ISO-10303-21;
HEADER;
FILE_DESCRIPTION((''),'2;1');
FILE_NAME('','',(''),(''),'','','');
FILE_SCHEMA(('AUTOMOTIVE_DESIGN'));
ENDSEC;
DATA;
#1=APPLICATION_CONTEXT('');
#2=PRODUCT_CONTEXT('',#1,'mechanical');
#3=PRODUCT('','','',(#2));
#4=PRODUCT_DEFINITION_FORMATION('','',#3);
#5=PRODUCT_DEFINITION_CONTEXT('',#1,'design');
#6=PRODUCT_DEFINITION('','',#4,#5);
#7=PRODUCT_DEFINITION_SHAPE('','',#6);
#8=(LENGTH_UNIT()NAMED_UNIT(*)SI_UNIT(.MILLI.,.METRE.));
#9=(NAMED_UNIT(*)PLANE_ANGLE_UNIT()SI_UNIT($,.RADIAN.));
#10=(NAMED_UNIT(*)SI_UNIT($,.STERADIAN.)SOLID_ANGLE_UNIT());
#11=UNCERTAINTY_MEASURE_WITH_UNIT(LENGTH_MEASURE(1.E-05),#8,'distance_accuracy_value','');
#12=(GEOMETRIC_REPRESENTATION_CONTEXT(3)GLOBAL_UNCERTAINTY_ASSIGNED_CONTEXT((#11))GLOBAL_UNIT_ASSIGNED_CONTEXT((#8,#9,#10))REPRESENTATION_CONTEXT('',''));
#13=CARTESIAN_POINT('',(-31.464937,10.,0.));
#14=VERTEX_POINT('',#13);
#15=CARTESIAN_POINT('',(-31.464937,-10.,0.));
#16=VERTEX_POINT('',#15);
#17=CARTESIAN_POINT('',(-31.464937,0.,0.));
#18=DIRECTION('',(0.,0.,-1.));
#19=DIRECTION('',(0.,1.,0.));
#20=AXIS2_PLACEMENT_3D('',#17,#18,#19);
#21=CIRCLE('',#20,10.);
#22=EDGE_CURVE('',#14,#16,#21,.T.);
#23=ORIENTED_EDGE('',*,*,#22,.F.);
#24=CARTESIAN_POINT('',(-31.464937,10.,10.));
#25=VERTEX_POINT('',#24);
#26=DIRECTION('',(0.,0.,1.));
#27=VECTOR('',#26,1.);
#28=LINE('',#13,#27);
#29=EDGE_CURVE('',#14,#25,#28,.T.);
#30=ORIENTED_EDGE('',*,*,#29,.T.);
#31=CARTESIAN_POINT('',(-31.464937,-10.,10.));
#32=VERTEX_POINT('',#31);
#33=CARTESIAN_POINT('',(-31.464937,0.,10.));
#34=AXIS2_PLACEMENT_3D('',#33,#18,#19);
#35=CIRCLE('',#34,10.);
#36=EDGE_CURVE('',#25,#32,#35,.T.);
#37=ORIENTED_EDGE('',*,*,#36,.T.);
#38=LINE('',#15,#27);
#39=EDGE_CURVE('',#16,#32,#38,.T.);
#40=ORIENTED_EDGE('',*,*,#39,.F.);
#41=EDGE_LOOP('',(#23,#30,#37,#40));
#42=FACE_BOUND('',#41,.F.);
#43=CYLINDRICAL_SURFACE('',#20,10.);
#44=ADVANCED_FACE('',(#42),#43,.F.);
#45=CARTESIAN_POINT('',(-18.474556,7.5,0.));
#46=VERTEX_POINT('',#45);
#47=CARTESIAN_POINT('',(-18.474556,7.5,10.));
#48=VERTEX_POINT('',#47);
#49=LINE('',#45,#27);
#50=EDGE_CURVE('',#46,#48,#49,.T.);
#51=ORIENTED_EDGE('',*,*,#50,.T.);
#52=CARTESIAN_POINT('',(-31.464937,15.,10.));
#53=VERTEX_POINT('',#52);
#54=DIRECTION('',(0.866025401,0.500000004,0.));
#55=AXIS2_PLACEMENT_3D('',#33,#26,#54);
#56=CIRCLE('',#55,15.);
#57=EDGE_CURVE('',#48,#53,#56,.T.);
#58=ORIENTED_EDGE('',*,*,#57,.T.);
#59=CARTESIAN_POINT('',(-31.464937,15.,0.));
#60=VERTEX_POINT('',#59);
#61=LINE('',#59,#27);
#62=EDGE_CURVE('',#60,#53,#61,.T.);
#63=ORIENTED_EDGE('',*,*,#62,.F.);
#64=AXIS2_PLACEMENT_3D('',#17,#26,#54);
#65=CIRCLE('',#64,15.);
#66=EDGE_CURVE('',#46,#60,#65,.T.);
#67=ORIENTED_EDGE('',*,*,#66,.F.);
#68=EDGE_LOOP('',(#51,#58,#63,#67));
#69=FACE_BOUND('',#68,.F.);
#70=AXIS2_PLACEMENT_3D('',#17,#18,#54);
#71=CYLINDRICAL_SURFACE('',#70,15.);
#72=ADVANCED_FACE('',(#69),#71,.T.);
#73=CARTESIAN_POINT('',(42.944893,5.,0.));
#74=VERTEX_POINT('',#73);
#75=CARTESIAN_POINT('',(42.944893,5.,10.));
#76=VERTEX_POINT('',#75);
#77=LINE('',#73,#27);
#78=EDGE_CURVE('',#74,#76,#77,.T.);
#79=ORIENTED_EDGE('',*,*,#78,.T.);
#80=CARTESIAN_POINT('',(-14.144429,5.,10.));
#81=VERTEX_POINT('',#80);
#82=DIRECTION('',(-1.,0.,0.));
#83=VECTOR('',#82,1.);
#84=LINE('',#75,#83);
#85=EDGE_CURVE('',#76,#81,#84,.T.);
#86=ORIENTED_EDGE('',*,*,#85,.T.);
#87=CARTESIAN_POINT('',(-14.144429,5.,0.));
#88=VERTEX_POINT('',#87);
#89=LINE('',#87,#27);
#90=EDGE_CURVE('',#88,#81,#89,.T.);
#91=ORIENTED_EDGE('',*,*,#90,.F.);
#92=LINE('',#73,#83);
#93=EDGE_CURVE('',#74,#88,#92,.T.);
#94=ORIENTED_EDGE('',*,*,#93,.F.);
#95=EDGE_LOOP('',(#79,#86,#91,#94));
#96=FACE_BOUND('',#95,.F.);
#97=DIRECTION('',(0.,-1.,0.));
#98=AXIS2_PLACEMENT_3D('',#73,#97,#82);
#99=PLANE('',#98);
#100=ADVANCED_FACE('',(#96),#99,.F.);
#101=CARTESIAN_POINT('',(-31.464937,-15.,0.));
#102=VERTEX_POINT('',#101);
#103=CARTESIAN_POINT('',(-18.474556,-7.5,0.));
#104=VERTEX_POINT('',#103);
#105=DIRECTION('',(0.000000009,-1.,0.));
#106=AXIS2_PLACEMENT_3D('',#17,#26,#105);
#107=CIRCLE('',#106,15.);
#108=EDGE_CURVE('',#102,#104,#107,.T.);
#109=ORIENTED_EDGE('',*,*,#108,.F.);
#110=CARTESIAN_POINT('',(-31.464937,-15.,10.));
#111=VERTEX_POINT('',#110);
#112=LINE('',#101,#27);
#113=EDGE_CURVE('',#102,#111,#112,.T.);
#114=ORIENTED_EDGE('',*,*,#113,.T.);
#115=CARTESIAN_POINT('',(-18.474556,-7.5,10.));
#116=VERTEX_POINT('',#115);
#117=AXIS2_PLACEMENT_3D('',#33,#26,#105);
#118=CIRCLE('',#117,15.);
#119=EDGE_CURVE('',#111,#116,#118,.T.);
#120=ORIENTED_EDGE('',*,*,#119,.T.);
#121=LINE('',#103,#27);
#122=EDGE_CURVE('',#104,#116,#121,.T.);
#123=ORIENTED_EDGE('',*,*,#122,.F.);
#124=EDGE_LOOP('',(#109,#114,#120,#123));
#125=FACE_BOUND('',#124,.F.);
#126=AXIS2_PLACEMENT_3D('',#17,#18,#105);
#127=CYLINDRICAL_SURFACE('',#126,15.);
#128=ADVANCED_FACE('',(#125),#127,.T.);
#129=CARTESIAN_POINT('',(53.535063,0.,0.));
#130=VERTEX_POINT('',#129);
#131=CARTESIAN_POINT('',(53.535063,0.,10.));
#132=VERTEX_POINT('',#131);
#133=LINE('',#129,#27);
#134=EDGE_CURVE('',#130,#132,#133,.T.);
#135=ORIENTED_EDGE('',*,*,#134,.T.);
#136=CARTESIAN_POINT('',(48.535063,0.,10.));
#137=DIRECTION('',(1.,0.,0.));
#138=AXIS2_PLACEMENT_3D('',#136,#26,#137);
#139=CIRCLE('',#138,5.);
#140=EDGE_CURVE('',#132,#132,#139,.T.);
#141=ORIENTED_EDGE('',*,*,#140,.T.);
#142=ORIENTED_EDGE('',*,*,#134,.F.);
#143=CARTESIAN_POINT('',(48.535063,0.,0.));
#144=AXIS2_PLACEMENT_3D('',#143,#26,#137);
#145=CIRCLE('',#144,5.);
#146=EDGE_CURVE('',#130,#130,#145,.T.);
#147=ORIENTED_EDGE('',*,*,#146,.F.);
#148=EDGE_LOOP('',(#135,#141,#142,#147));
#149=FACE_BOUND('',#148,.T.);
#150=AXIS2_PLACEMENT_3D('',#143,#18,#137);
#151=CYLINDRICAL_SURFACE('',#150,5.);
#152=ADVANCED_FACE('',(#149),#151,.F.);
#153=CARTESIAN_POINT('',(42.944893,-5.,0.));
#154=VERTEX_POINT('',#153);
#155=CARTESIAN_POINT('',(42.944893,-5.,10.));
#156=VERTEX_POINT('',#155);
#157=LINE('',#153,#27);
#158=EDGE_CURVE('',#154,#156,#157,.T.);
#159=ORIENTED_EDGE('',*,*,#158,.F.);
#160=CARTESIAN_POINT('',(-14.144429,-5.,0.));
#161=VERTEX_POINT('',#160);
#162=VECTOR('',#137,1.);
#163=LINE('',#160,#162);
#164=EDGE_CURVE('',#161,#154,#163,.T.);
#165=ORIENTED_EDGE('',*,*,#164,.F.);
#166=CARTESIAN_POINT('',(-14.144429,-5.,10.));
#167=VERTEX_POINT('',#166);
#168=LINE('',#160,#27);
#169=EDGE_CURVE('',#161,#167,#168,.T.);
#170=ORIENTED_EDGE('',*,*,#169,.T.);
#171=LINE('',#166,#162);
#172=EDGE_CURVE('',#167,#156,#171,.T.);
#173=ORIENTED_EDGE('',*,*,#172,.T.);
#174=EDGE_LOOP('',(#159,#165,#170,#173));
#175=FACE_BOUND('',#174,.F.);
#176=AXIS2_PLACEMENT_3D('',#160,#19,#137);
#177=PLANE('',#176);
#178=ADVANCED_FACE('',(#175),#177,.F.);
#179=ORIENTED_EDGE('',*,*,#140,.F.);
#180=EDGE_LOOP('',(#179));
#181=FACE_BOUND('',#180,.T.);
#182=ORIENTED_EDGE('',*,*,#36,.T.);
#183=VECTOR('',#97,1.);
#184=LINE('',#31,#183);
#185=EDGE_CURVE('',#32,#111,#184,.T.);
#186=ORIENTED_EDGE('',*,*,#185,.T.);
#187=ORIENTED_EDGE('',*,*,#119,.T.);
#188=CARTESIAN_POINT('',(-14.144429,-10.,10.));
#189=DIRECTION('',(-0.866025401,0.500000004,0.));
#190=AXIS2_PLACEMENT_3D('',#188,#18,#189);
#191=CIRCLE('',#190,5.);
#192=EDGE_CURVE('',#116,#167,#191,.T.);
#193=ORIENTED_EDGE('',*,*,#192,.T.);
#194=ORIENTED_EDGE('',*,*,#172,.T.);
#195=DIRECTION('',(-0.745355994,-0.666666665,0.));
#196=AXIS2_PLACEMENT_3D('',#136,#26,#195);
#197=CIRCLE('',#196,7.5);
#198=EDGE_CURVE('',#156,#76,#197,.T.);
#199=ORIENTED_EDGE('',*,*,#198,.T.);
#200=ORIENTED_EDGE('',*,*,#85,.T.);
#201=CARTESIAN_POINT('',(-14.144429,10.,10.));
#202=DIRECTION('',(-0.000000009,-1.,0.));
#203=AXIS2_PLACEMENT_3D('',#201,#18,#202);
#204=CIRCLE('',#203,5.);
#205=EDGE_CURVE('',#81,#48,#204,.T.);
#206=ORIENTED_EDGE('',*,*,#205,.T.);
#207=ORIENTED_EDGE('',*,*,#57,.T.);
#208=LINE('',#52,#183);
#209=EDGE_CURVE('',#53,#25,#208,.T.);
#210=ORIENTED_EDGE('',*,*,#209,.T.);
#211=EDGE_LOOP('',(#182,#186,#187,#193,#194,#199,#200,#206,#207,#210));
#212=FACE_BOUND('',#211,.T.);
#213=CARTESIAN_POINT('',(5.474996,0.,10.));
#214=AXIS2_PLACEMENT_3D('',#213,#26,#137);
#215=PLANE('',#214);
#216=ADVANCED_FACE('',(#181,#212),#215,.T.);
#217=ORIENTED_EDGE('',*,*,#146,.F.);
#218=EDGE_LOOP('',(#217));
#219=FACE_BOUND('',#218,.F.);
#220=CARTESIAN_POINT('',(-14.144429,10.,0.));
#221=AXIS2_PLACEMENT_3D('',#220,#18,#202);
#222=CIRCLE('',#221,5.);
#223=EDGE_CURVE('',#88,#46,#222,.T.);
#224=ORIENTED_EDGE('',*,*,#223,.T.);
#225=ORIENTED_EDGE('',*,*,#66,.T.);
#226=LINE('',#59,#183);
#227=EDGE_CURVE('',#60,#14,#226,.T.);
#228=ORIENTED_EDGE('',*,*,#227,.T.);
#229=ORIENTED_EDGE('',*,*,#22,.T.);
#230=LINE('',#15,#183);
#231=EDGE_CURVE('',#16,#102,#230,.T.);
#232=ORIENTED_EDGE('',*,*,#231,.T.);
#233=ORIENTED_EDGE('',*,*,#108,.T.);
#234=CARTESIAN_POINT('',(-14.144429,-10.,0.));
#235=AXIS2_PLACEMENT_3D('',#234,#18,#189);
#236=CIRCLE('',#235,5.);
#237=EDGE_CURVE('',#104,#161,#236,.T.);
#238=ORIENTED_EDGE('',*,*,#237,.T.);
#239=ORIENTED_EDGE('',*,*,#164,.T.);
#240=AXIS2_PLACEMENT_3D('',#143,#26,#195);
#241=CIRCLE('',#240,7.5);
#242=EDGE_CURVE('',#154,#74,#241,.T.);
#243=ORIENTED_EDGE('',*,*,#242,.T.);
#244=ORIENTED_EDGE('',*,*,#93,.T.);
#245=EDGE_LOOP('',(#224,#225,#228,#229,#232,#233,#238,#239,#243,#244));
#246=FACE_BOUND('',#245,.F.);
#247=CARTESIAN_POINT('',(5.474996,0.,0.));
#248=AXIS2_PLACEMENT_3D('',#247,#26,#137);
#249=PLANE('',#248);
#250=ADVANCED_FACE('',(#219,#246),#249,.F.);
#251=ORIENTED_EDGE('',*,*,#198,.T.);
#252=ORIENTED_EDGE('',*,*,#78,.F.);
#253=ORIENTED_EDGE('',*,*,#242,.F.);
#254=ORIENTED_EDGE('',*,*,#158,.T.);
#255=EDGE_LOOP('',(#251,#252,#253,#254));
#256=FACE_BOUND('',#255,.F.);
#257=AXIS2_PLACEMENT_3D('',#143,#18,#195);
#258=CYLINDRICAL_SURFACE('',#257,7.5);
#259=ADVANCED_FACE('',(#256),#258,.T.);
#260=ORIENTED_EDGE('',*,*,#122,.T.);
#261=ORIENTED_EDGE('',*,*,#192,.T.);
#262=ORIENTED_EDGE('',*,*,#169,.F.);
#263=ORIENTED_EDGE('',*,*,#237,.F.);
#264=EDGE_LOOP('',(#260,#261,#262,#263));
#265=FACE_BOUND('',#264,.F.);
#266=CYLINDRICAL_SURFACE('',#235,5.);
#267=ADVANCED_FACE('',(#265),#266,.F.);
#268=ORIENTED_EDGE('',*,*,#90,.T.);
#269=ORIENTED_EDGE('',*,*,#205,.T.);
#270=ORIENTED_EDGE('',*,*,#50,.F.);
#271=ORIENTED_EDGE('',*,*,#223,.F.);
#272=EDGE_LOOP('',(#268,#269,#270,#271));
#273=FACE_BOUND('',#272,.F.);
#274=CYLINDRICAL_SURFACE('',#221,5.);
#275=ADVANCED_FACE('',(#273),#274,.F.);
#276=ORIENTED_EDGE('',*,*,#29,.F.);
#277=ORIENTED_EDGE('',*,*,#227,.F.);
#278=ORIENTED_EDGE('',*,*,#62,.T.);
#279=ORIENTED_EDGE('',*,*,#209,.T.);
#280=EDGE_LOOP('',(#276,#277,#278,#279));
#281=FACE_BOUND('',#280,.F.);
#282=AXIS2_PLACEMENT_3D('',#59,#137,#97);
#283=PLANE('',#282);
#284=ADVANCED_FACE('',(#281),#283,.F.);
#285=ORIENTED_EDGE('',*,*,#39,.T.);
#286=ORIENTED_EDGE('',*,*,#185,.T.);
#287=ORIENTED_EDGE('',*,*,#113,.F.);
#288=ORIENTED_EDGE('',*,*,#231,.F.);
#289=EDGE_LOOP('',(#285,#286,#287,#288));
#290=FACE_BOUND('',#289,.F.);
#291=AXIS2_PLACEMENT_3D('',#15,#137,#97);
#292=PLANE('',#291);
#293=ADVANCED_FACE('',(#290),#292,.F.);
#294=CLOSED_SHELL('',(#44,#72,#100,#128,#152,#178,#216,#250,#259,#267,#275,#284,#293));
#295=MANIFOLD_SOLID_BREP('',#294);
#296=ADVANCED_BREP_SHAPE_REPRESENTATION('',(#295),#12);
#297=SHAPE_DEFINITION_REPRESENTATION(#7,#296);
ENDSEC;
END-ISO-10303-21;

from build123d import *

# Parameters (mm, degrees)
F0_R     = 5
F1_DEPTH = 10


with BuildPart() as f1:
    # F0 (on Top) → F1 (new body)
    with BuildSketch(Plane.XY):
        with BuildLine():
            ThreePointArc((-31.464937, 10), (-21.464937, 0), (-31.464937, -10))
            Line((-31.464937, -10), (-31.464937, -15))
            ThreePointArc((-31.464937, -15), (-23.964937, -12.990381), (-18.474556, -7.5))
            ThreePointArc((-18.474556, -7.5), (-16.644429, -5.669873), (-14.144429, -5))
            Line((-14.144429, -5), (42.944893, -5))
            ThreePointArc((42.944893, -5), (56.035063, 0), (42.944893, 5))
            Line((42.944893, 5), (-14.144429, 5))
            ThreePointArc((-14.144429, 5), (-16.644429, 5.669873), (-18.474556, 7.5))
            ThreePointArc((-18.474556, 7.5), (-23.964937, 12.990381), (-31.464937, 15))
            Line((-31.464937, 15), (-31.464937, 10))
        make_face()
        with Locations((48.535063, 0)):
            Circle(F0_R, mode=Mode.SUBTRACT)
    extrude(amount=F1_DEPTH)


solid = f1.part
